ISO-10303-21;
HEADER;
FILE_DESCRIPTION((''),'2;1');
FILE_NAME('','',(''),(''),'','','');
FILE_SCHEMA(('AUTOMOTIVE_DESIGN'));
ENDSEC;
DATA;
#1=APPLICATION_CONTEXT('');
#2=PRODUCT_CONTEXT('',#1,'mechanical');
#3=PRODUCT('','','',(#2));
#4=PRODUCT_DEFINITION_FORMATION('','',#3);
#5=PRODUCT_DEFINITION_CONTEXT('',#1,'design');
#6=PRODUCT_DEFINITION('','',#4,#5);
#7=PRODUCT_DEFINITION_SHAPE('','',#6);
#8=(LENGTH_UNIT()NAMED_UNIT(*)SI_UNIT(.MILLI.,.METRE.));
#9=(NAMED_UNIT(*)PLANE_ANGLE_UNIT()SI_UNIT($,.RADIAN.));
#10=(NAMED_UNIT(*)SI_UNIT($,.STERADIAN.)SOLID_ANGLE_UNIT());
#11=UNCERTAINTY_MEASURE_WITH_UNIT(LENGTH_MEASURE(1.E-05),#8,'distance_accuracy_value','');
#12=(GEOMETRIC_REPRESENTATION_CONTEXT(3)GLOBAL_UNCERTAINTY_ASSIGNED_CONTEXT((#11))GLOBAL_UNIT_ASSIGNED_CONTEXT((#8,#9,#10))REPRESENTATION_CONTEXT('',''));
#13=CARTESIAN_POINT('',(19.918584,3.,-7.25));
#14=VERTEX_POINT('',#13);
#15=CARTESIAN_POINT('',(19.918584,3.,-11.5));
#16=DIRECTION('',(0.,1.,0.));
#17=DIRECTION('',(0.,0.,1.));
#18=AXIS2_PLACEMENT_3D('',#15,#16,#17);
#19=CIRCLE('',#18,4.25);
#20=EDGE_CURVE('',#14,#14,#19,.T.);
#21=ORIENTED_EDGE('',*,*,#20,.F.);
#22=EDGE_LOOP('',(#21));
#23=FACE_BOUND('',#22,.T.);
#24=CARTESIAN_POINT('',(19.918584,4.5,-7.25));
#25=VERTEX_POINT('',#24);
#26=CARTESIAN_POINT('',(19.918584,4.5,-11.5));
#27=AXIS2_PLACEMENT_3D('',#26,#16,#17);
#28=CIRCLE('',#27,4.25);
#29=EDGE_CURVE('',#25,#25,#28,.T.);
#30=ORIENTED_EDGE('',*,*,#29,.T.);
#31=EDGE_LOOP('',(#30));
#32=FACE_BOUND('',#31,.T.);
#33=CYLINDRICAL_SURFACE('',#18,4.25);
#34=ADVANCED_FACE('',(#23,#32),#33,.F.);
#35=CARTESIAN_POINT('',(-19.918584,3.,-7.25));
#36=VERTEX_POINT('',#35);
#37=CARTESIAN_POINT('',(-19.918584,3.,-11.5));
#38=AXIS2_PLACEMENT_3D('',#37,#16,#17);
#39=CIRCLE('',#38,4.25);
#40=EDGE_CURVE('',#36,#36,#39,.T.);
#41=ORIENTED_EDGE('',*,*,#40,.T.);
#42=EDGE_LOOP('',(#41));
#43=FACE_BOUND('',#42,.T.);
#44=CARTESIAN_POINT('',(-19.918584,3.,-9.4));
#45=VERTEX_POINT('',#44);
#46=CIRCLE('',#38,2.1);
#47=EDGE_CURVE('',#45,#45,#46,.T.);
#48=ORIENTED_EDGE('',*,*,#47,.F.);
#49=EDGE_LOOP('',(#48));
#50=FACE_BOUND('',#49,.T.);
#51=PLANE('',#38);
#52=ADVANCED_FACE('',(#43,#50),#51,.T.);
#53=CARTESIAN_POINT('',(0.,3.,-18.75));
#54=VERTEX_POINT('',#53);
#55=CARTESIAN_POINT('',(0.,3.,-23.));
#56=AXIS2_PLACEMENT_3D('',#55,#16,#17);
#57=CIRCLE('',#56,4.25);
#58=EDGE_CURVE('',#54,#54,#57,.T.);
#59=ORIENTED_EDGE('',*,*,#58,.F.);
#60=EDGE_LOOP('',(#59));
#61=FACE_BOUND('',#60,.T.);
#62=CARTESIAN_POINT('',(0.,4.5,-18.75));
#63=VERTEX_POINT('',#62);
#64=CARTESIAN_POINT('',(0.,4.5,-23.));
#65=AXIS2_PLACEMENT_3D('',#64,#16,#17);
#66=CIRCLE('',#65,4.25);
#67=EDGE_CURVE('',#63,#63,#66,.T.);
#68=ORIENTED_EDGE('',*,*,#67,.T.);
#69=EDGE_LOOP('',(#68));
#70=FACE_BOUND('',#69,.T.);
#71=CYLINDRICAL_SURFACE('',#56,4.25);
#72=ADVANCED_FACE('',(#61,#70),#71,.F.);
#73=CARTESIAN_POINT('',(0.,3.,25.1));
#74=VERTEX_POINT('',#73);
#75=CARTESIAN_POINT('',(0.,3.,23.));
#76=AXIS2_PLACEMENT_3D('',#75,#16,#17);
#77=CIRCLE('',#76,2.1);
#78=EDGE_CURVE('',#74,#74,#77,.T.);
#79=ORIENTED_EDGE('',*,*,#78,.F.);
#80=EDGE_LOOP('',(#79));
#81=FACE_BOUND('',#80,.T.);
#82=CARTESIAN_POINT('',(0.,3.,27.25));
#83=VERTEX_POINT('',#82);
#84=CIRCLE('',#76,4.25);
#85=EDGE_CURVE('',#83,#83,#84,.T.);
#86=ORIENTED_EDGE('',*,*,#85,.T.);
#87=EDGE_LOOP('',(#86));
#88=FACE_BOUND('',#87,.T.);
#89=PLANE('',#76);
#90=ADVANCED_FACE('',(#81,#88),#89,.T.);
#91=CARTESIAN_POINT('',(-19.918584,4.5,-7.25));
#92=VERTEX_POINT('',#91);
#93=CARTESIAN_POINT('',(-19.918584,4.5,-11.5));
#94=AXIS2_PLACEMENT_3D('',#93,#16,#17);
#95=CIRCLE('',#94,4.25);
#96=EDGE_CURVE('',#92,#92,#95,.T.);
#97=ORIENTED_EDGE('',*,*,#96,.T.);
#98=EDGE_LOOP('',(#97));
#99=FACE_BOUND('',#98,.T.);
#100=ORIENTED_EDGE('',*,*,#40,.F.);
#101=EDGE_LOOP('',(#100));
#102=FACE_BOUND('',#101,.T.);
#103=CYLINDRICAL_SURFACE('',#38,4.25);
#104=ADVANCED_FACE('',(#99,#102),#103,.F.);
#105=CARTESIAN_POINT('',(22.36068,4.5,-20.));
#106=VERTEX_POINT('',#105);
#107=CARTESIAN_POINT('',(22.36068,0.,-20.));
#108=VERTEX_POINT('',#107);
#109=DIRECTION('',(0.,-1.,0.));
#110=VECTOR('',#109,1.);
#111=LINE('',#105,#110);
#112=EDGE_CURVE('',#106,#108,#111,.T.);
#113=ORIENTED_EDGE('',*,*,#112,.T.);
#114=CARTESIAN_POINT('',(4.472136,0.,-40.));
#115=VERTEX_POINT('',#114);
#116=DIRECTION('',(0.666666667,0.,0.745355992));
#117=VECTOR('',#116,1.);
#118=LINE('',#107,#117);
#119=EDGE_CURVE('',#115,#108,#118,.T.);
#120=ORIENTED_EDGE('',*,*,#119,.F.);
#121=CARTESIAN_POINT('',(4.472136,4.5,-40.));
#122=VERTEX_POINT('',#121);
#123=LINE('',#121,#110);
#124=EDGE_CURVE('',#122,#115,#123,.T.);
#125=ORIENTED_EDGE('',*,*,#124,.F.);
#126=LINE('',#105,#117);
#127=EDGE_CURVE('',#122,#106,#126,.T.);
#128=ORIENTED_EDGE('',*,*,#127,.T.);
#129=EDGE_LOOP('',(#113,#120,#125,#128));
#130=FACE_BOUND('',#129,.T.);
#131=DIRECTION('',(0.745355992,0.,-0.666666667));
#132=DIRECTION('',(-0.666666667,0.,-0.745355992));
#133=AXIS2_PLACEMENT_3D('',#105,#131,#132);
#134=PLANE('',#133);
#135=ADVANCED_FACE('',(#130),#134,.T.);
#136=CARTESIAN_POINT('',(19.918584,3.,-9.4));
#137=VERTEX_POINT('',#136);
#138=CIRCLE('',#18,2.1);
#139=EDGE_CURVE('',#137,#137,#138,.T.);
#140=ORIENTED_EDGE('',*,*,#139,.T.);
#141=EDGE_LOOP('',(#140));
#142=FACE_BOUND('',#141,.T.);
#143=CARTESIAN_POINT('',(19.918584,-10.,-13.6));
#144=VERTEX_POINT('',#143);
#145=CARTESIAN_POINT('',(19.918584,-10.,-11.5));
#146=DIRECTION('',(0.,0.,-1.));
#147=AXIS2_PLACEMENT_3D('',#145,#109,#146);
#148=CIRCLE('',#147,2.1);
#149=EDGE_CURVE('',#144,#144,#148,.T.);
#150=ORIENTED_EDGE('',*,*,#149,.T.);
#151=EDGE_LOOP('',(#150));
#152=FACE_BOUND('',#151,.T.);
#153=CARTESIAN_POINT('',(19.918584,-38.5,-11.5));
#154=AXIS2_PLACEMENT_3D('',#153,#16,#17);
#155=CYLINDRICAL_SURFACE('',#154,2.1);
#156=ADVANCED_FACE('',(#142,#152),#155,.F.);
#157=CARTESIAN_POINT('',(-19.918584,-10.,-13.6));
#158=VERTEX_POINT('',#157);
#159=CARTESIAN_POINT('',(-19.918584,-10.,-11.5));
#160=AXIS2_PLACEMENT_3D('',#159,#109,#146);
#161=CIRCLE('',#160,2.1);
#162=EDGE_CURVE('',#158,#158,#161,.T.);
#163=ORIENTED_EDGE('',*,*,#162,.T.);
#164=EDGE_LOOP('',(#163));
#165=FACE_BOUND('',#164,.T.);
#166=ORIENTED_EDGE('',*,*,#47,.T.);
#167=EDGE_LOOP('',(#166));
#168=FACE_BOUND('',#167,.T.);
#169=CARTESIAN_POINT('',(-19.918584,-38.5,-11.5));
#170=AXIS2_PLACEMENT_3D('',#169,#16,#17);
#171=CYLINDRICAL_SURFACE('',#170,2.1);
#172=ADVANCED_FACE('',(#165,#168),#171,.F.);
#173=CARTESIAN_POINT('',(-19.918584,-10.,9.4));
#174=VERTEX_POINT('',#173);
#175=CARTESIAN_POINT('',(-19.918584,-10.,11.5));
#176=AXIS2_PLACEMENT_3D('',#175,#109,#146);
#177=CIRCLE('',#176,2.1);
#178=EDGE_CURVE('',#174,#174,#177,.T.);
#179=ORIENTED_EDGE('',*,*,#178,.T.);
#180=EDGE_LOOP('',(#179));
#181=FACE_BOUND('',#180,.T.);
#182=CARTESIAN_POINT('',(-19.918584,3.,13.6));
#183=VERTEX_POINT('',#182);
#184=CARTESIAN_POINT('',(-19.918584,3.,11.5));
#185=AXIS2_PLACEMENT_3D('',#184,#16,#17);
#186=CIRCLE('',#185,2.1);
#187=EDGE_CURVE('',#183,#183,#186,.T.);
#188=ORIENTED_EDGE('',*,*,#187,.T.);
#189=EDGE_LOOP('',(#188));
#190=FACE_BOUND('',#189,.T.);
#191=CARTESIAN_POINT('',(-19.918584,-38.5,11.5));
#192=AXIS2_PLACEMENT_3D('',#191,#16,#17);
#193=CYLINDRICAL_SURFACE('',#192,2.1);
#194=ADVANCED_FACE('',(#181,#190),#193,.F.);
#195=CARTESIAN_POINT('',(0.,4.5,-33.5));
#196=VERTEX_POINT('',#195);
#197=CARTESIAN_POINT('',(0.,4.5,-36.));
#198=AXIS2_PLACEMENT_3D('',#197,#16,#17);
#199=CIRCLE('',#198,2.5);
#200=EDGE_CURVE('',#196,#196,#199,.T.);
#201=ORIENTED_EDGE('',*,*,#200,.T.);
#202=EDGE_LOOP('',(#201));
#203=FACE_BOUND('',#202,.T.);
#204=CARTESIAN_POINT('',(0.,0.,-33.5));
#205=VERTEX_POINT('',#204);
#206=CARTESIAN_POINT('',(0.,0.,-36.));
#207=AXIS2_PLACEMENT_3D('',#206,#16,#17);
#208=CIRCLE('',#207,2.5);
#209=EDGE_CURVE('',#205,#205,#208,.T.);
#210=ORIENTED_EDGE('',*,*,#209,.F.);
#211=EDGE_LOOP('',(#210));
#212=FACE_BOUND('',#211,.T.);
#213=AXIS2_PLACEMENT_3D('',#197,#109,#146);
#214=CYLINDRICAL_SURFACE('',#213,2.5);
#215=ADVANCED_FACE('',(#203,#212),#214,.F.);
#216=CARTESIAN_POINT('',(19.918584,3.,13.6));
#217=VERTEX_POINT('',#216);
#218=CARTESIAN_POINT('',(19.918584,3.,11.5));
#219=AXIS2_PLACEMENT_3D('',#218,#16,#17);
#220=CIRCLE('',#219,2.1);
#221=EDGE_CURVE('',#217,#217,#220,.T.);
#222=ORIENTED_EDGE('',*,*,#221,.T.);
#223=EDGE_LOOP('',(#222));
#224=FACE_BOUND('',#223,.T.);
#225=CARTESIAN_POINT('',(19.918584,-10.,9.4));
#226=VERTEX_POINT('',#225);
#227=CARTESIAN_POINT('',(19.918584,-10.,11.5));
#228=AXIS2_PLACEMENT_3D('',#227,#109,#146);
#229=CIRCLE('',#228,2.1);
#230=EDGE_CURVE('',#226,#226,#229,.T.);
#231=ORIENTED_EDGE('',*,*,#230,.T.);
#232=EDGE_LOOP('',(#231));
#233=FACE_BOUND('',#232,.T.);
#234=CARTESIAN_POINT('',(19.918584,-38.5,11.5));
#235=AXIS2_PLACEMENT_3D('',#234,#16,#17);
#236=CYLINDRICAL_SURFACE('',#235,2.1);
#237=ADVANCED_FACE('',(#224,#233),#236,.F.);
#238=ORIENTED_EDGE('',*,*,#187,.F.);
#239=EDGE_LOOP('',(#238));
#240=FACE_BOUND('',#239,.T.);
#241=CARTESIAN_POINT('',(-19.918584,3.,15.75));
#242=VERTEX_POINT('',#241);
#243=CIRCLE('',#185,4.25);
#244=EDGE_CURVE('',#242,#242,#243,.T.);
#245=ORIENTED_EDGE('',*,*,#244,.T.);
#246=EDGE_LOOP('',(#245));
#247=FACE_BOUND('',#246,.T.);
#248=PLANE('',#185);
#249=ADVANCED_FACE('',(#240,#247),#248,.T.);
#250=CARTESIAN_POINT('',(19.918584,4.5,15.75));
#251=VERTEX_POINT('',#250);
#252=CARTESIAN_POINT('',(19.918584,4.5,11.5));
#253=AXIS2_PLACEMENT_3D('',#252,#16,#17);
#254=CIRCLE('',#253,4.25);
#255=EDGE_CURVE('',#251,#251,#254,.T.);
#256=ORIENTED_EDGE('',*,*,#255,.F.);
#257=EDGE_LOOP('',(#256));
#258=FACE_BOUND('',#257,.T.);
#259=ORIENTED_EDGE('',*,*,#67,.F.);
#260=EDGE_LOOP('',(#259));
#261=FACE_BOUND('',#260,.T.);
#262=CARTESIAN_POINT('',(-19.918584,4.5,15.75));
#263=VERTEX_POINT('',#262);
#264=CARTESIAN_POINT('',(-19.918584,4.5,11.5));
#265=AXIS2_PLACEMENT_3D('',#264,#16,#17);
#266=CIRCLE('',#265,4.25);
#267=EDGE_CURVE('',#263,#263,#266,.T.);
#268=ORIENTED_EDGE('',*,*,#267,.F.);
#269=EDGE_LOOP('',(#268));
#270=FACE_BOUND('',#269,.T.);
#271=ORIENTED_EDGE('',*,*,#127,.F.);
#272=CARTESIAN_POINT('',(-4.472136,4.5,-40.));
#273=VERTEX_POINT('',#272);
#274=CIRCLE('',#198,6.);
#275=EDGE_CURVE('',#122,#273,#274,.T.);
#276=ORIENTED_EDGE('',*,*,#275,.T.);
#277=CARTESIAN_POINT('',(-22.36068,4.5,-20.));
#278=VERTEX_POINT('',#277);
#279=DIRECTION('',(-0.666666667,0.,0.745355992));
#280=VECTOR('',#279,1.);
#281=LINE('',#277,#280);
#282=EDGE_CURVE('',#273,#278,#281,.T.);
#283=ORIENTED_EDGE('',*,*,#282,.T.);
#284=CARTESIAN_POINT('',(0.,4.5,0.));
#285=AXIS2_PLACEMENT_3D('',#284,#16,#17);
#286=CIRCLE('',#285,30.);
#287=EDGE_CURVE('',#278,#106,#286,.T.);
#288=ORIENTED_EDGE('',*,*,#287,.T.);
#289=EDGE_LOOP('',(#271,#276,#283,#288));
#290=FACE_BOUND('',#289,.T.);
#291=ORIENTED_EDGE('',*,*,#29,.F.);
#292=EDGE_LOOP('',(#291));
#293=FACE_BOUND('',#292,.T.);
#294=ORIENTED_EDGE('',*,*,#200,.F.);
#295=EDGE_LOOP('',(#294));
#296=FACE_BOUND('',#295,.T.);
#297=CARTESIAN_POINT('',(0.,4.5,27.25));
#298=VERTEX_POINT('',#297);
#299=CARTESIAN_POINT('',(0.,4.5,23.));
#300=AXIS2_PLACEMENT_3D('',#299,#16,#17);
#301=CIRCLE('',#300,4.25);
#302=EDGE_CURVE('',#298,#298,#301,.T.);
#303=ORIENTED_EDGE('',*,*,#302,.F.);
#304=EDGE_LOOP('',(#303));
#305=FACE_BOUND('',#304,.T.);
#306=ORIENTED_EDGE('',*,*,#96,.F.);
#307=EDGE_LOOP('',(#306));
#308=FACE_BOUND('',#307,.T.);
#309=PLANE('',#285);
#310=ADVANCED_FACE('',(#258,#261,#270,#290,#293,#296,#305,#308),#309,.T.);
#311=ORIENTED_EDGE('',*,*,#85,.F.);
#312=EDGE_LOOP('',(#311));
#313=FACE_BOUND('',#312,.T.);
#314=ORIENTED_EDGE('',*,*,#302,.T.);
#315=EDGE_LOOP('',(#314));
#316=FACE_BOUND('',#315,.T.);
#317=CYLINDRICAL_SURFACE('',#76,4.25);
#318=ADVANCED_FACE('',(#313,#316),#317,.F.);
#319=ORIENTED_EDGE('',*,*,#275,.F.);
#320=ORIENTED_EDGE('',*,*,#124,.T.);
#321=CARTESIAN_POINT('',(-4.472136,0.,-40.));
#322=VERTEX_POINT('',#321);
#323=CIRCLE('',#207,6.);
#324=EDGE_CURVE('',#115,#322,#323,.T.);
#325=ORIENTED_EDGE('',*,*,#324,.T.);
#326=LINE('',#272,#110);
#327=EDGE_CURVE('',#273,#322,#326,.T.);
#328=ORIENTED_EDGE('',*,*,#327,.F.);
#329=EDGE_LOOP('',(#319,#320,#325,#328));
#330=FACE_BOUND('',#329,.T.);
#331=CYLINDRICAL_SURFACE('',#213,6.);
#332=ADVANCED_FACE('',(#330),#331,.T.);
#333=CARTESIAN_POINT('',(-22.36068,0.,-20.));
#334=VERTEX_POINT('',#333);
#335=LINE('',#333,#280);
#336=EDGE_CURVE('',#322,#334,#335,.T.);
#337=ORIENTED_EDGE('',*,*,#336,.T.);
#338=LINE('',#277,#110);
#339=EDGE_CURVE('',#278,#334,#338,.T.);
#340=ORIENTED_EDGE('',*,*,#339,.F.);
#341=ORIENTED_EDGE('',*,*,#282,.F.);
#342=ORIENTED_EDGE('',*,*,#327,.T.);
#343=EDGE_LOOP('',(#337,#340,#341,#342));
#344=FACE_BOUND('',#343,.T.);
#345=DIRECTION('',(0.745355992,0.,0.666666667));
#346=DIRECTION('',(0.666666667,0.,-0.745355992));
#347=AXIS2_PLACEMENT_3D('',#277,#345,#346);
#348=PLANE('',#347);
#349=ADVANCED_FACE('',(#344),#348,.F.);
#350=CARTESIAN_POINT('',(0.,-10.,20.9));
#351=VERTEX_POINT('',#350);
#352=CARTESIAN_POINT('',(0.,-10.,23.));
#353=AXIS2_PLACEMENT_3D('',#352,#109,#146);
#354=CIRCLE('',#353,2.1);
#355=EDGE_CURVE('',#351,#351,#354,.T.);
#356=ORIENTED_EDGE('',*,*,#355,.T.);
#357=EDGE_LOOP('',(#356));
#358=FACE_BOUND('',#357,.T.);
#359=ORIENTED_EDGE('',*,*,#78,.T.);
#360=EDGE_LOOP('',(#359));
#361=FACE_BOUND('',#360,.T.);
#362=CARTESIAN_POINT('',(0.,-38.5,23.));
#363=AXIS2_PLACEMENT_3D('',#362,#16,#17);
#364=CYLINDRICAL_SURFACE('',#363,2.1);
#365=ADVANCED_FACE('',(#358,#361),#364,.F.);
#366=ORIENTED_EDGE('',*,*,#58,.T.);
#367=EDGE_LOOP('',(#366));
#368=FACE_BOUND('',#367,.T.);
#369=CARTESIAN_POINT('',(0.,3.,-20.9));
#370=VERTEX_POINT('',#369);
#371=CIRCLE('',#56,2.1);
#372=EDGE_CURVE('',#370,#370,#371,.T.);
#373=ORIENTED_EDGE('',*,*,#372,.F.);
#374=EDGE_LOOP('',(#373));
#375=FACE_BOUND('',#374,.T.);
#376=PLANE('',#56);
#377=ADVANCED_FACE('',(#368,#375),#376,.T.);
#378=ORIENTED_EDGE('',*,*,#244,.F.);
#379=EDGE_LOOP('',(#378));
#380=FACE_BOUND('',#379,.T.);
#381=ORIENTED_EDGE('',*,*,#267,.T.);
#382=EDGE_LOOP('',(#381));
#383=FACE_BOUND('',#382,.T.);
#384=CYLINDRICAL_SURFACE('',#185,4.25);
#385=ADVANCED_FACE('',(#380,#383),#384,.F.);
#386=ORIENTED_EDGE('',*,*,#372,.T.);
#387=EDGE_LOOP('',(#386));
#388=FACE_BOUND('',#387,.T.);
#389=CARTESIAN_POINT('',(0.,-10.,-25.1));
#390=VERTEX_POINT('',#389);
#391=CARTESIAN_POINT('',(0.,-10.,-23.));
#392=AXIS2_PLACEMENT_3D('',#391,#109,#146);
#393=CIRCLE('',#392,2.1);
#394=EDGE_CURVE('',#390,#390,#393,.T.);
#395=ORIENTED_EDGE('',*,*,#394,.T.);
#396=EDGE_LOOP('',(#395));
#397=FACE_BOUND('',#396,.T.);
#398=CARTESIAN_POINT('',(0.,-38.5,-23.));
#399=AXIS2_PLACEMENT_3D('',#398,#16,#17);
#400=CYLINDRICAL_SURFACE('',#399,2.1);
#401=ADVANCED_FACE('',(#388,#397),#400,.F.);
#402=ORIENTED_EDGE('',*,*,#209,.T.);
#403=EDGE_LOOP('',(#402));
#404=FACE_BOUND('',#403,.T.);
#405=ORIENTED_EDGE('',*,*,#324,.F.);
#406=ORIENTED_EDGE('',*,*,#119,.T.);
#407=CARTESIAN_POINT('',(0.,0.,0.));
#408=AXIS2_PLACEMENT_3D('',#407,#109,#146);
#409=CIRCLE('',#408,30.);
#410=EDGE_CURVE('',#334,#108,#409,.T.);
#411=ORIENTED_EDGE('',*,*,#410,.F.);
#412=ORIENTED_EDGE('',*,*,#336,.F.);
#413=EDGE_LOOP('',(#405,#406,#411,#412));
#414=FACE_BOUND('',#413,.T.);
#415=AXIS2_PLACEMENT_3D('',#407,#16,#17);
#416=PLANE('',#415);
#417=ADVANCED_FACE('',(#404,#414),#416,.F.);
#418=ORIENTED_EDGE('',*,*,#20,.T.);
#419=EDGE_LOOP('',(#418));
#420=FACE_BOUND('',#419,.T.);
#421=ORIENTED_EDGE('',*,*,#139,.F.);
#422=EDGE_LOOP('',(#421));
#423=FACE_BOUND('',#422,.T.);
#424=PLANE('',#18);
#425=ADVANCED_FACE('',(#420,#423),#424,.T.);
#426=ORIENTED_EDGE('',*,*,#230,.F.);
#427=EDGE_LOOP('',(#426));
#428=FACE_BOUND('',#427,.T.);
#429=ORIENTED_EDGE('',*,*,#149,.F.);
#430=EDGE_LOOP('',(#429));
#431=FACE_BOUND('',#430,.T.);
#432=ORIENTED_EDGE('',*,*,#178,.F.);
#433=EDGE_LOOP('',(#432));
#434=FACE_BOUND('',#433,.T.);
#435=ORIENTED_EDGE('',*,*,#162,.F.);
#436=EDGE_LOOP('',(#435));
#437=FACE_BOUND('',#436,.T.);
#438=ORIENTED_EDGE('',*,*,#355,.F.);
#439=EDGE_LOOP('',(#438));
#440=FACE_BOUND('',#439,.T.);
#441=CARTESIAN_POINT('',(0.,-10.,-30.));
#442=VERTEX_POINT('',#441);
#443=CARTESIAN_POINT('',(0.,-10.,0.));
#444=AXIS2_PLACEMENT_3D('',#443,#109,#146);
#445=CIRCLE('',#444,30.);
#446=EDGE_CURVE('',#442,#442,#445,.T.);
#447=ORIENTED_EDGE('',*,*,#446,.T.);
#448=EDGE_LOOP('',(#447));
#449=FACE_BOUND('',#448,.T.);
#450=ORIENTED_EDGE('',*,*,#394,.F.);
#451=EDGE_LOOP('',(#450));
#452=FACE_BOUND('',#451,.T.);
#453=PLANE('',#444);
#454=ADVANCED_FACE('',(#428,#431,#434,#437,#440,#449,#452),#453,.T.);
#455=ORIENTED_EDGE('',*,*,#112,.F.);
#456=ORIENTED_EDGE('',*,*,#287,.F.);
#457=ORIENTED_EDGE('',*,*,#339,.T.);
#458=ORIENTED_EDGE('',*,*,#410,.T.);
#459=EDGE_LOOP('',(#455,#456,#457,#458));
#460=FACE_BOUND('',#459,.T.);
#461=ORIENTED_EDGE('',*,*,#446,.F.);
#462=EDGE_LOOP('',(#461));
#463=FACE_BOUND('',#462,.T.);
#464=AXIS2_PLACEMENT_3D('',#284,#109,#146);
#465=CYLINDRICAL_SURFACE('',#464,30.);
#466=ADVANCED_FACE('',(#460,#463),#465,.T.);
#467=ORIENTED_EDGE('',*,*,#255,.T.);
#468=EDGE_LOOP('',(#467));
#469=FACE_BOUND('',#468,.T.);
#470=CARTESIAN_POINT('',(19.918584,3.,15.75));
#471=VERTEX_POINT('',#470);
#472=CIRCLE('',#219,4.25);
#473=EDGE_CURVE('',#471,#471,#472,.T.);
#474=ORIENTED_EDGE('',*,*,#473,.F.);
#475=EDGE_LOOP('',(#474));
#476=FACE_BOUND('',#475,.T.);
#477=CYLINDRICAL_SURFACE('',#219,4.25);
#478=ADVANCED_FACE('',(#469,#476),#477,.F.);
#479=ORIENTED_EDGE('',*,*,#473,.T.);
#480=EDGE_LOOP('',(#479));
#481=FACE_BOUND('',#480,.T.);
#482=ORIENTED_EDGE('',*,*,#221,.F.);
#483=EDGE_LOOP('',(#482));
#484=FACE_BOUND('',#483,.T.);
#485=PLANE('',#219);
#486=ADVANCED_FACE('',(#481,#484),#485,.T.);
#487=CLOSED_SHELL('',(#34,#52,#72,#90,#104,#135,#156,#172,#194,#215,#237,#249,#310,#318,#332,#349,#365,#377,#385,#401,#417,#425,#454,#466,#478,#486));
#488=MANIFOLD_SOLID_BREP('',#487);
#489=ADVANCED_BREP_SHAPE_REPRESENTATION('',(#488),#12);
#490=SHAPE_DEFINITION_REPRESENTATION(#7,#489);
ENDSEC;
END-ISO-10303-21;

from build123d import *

# Parameters (mm, degrees)
SKETCH1_R           = 6
SKETCH1_R_2         = 2.5
BOSS_EXTRUDE1_DEPTH = 4.5
SKETCH2_R           = 4.25
CUT_EXTRUDE1_DEPTH  = 1.5
BOSS_EXTRUDE2_START = 10
SKETCH3_R           = 30
BOSS_EXTRUDE2_DEPTH = 10
SKETCH4_R           = 2.1
CUT_EXTRUDE2_DEPTH  = 43


with BuildPart() as part:
    # Sketch1 → Boss-Extrude1 (new body)
    # profile 1 of 4: a face of its own
    with BuildSketch(Plane(origin=(0, 0, 0), x_dir=(1, 0, 0), z_dir=(0, 1, 0))):
        with BuildLine():
            ThreePointArc((0, 30), (-12.247448714, 27.386127875), (-22.360679775, 20))
            ThreePointArc((-22.360679775, 20), (-10.704662693, -28.025170769), (30, 0))
            ThreePointArc((30, 0), (28.025170769, 10.704662693), (22.360679775, 20))
            ThreePointArc((22.360679775, 20), (12.247448714, 27.386127875), (0, 30))
        make_face()
    # profile 2 of 4: a face of its own
    with BuildSketch(Plane(origin=(0, 0, 0), x_dir=(1, 0, 0), z_dir=(0, 1, 0))):
        with BuildLine():
            Line((22.360679775, 20), (4.472135955, 40))
            ThreePointArc((4.472135955, 40), (5.605034154, 38.140932539), (6, 36))
            ThreePointArc((6, 36), (4.242640687, 31.757359313), (0, 30))
            ThreePointArc((0, 30), (12.247448714, 27.386127875), (22.360679775, 20))
        make_face()
    # profile 3 of 4: a face of its own
    with BuildSketch(Plane(origin=(0, 0, 0), x_dir=(1, 0, 0), z_dir=(0, 1, 0))):
        with BuildLine():
            ThreePointArc((0, 30), (-5.477225575, 33.550510257), (-4.472135955, 40))
            Line((-4.472135955, 40), (-22.360679775, 20))
            ThreePointArc((-22.360679775, 20), (-12.247448714, 27.386127875), (0, 30))
        make_face()
    # profile 4 of 4: a face of its own
    with BuildSketch(Plane(origin=(0, 0, 0), x_dir=(1, 0, 0), z_dir=(0, 1, 0))):
        with Locations((0, 36)):
            Circle(SKETCH1_R)
        with Locations(Location((0, 36, 0), (0, 0, 270))):
            Circle(SKETCH1_R_2, mode=Mode.SUBTRACT)
    extrude(amount=BOSS_EXTRUDE1_DEPTH)

    # Sketch2 → Cut-Extrude1 (cut)
    with BuildSketch(Plane(origin=(0, 4.5, 0), x_dir=(1, 0, 0), z_dir=(0, 1, 0))):
        with Locations(Location((0, 23, 0), (0, 0, 270))):
            Circle(SKETCH2_R)
        with Locations(Location((19.918584287, 11.5, 0), (0, 0, 270))):
            Circle(SKETCH2_R)
        with Locations(Location((19.918584287, -11.5, 0), (0, 0, 270))):
            Circle(SKETCH2_R)
        with Locations(Location((0, -23, 0), (0, 0, 270))):
            Circle(SKETCH2_R)
        with Locations(Location((-19.918584287, -11.5, 0), (0, 0, 270))):
            Circle(SKETCH2_R)
        with Locations(Location((-19.918584287, 11.5, 0), (0, 0, 270))):
            Circle(SKETCH2_R)
    extrude(amount=-CUT_EXTRUDE1_DEPTH, mode=Mode.SUBTRACT)

    # Sketch3 → Boss-Extrude2 (add)
    with BuildSketch(Plane.XZ.offset(BOSS_EXTRUDE2_START)):
        with Locations(Location((0, 0, 0), (0, 0, 270))):
            Circle(SKETCH3_R)
    extrude(amount=-BOSS_EXTRUDE2_DEPTH)

    # Sketch4 → Cut-Extrude2 (cut)
    with BuildSketch(Plane(origin=(0, 4.5, 0), x_dir=(1, 0, 0), z_dir=(0, 1, 0))):
        with Locations(Location((0, 23, 0), (0, 0, 270))):
            Circle(SKETCH4_R)
        with Locations(Location((19.918584287, 11.5, 0), (0, 0, 270))):
            Circle(SKETCH4_R)
        with Locations(Location((19.918584287, -11.5, 0), (0, 0, 270))):
            Circle(SKETCH4_R)
        with Locations(Location((0, -23, 0), (0, 0, 270))):
            Circle(SKETCH4_R)
        with Locations(Location((-19.918584287, -11.5, 0), (0, 0, 270))):
            Circle(SKETCH4_R)
        with Locations(Location((-19.918584287, 11.5, 0), (0, 0, 270))):
            Circle(SKETCH4_R)
    extrude(amount=-CUT_EXTRUDE2_DEPTH, mode=Mode.SUBTRACT)


solid = part.part
